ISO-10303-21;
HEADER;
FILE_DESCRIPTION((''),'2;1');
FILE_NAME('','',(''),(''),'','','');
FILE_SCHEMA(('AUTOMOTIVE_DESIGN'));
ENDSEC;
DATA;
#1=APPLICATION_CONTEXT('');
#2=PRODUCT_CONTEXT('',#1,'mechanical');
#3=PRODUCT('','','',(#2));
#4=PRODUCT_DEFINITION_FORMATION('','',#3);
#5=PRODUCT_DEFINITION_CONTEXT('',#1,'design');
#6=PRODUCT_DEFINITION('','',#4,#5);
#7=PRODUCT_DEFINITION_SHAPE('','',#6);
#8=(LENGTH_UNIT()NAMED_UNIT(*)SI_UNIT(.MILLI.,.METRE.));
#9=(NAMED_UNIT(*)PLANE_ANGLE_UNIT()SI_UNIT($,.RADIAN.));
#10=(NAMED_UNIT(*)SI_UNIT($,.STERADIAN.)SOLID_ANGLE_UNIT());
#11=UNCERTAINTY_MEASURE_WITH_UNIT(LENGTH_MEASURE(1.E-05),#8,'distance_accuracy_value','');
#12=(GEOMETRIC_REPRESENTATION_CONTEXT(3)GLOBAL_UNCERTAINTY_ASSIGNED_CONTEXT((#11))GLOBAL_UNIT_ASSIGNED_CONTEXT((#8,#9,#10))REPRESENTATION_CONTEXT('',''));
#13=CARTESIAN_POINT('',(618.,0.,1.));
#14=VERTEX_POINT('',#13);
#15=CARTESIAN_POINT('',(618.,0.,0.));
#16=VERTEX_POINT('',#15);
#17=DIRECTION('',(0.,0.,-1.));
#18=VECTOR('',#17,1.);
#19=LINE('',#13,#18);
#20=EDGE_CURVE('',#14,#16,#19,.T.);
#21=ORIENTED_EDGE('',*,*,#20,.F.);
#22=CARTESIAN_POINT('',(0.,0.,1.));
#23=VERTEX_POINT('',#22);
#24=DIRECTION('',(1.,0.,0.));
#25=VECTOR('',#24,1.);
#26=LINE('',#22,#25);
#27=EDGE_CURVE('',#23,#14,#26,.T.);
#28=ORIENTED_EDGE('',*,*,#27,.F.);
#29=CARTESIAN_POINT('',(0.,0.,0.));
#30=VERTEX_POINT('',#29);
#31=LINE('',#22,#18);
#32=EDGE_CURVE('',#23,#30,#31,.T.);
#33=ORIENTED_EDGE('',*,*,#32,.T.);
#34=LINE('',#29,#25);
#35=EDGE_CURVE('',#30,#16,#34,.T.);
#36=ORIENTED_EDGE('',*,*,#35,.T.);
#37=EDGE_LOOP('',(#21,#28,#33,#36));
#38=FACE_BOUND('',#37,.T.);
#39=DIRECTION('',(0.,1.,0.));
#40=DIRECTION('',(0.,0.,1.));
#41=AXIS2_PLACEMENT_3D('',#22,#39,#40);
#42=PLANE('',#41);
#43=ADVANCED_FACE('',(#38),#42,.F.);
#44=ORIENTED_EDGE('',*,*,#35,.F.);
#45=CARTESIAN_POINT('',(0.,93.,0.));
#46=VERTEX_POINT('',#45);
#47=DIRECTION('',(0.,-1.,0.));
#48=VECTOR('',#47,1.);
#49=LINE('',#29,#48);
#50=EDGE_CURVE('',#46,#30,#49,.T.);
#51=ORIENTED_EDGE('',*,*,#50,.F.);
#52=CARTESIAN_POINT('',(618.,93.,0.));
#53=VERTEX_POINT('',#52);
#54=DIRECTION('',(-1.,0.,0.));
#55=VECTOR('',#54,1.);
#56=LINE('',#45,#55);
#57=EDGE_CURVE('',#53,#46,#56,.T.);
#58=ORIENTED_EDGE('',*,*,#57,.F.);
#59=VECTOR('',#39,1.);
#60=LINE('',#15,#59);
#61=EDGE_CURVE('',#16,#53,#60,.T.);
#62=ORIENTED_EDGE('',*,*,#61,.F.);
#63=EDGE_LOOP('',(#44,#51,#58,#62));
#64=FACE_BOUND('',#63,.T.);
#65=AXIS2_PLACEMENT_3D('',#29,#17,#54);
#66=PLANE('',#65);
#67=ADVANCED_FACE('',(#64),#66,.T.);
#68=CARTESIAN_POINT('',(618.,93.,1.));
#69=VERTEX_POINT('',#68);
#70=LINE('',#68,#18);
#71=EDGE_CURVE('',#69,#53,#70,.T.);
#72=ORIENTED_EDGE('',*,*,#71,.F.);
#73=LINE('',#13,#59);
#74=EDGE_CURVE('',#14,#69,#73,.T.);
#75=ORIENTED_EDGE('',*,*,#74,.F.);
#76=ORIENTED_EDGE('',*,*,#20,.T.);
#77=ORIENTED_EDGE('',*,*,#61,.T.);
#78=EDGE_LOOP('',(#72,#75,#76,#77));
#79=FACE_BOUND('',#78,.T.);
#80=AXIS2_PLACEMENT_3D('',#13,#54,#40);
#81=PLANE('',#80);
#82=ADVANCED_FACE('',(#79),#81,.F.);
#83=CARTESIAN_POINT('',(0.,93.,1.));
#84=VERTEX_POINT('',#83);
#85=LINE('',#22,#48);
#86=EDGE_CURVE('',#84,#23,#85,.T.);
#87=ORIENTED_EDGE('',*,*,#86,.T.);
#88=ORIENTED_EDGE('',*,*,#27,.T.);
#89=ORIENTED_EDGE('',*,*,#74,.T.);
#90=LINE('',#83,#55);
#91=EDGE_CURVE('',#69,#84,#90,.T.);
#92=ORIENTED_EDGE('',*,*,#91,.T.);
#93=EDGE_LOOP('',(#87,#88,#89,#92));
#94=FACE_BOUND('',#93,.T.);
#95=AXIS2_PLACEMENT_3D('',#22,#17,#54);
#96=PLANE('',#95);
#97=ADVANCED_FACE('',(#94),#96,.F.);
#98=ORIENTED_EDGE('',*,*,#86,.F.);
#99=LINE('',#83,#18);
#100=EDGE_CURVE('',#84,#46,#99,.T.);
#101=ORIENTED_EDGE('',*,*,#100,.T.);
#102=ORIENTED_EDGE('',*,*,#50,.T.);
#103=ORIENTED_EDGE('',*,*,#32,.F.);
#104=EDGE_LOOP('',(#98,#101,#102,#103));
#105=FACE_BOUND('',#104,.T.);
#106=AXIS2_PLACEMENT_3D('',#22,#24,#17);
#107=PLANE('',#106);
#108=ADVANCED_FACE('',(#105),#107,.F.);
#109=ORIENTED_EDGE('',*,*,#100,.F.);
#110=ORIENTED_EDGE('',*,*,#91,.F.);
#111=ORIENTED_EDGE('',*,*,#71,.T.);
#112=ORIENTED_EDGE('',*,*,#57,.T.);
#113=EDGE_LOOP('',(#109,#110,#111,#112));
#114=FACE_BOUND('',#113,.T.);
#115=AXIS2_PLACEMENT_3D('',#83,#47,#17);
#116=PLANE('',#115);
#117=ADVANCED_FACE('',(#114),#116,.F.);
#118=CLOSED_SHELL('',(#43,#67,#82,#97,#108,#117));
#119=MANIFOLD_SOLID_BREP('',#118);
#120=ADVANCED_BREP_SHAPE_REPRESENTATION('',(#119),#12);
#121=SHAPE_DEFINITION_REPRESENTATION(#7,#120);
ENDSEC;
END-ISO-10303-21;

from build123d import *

# Parameters (mm, degrees)
SKETCH1_W                      = 618
SKETCH1_H                      = 93
CEK_TAZE_ON_IC_SAC_1_0_1_DEPTH = 1


with BuildPart() as part:
    # Sketch1 → CEK_taze_on_ic_sac_1.0_1 (new body)
    with BuildSketch(Plane.XY):
        with Locations((309, 46.5)):
            Rectangle(SKETCH1_W, SKETCH1_H)
    extrude(amount=CEK_TAZE_ON_IC_SAC_1_0_1_DEPTH)


solid = part.part
